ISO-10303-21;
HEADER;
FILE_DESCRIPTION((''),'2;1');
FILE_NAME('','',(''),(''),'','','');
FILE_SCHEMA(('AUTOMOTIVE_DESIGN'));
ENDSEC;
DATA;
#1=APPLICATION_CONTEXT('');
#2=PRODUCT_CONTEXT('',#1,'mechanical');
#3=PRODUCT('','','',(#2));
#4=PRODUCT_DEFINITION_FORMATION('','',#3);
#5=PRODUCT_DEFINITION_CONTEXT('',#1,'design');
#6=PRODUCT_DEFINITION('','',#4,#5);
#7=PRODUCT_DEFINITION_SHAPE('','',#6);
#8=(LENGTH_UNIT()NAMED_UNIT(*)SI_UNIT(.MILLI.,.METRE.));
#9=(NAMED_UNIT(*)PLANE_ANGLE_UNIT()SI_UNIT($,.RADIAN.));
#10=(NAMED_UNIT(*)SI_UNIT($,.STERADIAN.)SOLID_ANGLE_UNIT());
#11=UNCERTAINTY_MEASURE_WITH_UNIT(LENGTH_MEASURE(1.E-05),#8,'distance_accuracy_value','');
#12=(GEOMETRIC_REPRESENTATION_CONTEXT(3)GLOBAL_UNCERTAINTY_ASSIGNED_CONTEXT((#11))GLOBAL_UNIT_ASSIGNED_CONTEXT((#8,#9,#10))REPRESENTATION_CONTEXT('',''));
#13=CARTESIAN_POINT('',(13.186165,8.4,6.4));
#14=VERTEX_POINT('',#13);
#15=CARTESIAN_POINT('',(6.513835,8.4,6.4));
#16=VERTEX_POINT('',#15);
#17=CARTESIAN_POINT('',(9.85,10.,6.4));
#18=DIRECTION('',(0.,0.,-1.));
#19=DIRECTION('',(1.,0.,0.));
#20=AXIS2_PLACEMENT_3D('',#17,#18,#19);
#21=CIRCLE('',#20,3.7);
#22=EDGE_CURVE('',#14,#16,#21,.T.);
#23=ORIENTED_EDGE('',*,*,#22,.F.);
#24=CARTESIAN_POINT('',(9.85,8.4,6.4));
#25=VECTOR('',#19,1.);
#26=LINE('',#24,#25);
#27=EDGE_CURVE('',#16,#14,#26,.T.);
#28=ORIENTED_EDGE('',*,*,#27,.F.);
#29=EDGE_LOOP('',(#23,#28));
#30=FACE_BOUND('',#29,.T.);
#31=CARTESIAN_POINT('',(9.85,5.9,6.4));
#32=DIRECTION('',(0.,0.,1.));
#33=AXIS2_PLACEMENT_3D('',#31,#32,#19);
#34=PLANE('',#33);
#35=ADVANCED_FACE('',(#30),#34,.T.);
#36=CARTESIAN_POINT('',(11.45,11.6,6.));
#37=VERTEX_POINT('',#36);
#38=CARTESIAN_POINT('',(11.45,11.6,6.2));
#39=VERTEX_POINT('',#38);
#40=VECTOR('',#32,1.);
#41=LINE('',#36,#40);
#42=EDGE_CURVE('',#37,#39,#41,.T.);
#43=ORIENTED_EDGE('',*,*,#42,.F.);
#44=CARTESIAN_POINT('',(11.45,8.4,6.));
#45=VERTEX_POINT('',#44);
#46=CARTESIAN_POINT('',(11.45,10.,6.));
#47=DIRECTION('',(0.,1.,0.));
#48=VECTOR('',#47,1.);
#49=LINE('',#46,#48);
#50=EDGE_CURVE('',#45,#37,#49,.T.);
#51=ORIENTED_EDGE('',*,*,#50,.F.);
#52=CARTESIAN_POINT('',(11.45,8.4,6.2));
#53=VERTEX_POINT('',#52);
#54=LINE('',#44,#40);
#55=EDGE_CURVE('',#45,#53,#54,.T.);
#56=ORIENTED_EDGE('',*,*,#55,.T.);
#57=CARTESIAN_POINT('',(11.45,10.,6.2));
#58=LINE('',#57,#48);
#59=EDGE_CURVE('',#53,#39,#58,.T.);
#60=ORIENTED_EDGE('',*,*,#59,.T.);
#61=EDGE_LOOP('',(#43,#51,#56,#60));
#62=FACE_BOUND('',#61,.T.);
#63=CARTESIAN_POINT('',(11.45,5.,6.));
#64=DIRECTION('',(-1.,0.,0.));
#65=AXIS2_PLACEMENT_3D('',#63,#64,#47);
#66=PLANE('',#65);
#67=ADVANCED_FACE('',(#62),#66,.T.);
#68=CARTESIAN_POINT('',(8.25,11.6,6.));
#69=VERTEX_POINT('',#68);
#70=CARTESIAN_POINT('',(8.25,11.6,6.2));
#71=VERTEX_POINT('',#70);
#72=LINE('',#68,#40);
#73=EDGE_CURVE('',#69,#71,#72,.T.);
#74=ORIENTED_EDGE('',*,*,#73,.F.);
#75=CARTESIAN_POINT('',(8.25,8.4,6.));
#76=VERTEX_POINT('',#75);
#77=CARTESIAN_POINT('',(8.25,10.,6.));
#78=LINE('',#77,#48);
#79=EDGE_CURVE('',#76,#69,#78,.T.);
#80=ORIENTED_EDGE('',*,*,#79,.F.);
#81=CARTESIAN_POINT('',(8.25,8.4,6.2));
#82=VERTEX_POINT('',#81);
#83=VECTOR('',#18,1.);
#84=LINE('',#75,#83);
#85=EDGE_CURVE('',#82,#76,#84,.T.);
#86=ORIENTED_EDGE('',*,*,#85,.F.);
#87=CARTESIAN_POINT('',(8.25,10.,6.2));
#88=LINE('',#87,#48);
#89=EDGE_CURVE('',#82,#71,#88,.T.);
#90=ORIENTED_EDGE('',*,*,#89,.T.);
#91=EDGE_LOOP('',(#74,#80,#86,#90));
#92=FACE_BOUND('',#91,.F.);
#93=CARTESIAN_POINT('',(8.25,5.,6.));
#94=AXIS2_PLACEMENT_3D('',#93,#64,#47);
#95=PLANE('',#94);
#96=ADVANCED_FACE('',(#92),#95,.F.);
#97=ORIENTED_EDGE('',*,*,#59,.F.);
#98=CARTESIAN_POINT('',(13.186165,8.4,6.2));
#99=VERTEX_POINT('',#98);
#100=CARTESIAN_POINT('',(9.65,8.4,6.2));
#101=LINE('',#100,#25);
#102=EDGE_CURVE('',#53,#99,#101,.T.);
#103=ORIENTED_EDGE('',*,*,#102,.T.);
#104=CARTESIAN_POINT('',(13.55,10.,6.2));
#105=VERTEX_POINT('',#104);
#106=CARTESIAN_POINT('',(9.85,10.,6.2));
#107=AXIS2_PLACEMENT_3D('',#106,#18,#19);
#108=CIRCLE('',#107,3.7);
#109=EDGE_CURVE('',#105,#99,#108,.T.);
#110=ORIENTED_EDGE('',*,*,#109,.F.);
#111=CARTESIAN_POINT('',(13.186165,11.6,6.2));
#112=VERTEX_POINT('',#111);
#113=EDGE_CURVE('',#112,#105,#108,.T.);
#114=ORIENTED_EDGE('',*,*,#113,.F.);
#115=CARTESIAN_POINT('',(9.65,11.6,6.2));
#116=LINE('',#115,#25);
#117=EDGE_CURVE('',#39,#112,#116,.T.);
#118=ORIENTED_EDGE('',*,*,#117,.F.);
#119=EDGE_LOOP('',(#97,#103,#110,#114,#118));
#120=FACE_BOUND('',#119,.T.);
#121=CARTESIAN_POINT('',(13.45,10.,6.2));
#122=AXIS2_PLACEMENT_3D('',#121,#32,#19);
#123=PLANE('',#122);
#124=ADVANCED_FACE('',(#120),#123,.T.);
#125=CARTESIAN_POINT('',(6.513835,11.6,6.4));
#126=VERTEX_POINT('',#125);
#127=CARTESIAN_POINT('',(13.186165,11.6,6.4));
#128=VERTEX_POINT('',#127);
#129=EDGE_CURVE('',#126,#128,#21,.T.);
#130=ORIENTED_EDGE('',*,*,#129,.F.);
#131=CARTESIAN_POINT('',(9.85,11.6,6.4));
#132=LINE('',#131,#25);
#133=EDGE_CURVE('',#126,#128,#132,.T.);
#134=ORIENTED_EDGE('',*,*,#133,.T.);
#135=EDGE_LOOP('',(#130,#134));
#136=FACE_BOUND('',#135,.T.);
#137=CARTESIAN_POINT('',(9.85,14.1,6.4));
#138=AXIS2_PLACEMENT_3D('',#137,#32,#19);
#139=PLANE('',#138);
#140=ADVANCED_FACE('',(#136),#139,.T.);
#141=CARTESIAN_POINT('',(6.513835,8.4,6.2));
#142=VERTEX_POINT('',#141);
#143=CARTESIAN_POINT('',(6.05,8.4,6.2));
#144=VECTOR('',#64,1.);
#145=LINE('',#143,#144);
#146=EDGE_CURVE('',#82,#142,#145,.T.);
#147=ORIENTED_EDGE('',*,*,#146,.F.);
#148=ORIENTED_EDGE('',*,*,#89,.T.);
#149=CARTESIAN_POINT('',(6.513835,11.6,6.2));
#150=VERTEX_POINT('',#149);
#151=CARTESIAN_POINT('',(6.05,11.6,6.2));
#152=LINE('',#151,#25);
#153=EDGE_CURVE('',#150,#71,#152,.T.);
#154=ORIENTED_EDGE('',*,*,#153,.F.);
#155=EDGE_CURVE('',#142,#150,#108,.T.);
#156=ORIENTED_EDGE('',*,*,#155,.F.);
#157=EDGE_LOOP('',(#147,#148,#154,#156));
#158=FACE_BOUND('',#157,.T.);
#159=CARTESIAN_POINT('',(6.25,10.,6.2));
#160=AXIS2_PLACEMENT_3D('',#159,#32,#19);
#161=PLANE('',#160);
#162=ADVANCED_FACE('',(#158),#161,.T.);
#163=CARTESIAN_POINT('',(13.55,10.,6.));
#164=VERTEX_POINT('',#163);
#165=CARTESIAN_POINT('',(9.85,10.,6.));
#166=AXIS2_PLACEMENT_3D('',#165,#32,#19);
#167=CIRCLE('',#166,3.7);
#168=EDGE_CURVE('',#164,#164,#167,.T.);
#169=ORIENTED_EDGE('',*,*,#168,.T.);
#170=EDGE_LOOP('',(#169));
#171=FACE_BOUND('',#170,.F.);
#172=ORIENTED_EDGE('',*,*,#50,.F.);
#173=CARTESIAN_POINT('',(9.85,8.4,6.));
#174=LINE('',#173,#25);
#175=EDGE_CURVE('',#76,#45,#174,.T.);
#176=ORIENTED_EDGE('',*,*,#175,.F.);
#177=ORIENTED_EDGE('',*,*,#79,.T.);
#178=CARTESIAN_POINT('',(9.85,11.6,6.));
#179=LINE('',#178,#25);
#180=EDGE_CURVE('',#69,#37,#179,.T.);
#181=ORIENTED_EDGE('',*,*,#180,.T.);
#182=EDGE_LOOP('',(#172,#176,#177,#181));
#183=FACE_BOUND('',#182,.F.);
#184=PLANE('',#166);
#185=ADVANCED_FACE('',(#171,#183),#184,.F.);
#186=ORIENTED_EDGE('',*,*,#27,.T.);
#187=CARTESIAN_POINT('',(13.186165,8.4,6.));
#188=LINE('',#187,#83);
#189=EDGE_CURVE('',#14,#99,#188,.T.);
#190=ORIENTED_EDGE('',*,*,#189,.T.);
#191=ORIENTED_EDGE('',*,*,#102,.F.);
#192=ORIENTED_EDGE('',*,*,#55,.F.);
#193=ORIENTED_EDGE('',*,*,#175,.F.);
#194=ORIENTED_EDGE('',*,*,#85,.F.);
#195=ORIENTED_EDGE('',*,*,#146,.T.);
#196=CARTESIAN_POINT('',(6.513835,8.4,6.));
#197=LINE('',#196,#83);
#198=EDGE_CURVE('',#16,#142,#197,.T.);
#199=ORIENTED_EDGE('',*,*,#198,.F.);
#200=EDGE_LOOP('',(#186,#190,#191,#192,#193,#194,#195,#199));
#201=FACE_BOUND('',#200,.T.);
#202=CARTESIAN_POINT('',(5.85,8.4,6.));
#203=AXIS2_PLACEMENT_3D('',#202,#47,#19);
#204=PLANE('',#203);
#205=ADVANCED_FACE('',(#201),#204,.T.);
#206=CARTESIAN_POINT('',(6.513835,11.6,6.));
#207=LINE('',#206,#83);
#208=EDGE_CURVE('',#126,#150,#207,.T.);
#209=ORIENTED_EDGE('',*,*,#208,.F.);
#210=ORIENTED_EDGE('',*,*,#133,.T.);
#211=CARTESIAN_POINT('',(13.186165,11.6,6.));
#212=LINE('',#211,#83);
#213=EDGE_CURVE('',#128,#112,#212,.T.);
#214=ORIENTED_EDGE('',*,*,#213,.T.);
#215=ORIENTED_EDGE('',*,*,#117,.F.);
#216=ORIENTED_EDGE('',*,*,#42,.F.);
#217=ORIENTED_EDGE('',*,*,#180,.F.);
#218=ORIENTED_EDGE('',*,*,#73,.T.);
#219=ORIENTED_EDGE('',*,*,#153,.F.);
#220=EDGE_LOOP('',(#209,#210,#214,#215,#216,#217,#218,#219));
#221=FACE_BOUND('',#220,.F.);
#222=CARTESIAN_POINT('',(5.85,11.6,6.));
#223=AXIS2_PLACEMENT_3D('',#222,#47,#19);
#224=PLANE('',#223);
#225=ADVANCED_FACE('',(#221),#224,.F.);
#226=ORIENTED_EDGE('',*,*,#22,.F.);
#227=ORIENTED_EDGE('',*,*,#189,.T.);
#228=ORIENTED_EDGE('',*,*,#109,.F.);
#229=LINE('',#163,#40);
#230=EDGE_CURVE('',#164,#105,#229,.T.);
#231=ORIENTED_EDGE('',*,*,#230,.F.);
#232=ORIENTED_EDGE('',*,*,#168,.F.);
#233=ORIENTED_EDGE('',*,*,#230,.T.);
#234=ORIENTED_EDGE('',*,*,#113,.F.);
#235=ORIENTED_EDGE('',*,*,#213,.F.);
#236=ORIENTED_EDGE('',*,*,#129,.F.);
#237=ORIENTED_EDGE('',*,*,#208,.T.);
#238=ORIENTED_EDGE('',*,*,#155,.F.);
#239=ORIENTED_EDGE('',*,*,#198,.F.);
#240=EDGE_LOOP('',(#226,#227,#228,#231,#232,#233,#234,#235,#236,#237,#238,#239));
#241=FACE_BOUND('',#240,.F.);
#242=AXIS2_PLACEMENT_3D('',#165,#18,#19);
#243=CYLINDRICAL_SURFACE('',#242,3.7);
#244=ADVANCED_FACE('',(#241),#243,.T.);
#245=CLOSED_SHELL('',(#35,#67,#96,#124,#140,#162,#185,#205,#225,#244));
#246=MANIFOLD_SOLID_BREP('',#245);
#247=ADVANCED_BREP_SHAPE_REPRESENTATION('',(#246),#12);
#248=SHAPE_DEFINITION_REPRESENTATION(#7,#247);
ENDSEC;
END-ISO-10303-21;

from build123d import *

# Parameters (mm, degrees)
BOX023_W          = 4
BOX023_H          = 10
BOX023_DEPTH      = 0.2
BOX024_W          = 8
BOX024_H          = 5
BOX024_DEPTH      = 0.4
BOX022_W          = 4
BOX022_H          = 10
BOX022_DEPTH      = 0.2
BOX025_W          = 8
BOX025_H          = 5
BOX025_DEPTH      = 0.4
CYLINDER017_R     = 3.7
CYLINDER017_DEPTH = 10


with BuildPart() as cube023:
    # Box023 → Box023 (new body)
    with BuildSketch(Plane(origin=(-5.6, -5, 0), x_dir=(1, 0, 0), z_dir=(0, 0, 1))):
        with Locations((2, 5)):
            Rectangle(BOX023_W, BOX023_H)
    extrude(amount=BOX023_DEPTH)


with BuildPart() as cube024:
    # Box024 → Box024 (new body)
    with BuildSketch(Plane(origin=(-4, -6.6, 0), x_dir=(1, 0, 0), z_dir=(0, 0, 1))):
        with Locations((4, 2.5)):
            Rectangle(BOX024_W, BOX024_H)
    extrude(amount=BOX024_DEPTH)


with BuildPart() as cube022:
    # Box022 → Box022 (new body)
    with BuildSketch(Plane(origin=(1.6, -5, 0), x_dir=(1, 0, 0), z_dir=(0, 0, 1))):
        with Locations((2, 5)):
            Rectangle(BOX022_W, BOX022_H)
    extrude(amount=BOX022_DEPTH)


with BuildPart() as fusion004009004:
    # Box025 → Box025 (new body)
    with BuildSketch(Plane(origin=(-4, 1.6, 0), x_dir=(1, 0, 0), z_dir=(0, 0, 1))):
        with Locations((4, 2.5)):
            Rectangle(BOX025_W, BOX025_H)
    extrude(amount=BOX025_DEPTH)

    # Fusion004009004: union Cube023, Cube024, Cube022
    add(cube023.part)
    add(cube024.part)
    add(cube022.part)


with BuildPart() as screw_hole_support:
    # Cylinder017 → Cylinder017 (new body)
    with BuildSketch(Plane.XY):
        Circle(CYLINDER017_R)
    extrude(amount=CYLINDER017_DEPTH)

    # Common: intersect Fusion004009004
    add(fusion004009004.part, mode=Mode.INTERSECT)


with BuildPart() as screw_hole_support_1:
    # Common placement: moved
    add(screw_hole_support.part.moved(Location((9.85, 10, 6))))


solid = screw_hole_support_1.part
